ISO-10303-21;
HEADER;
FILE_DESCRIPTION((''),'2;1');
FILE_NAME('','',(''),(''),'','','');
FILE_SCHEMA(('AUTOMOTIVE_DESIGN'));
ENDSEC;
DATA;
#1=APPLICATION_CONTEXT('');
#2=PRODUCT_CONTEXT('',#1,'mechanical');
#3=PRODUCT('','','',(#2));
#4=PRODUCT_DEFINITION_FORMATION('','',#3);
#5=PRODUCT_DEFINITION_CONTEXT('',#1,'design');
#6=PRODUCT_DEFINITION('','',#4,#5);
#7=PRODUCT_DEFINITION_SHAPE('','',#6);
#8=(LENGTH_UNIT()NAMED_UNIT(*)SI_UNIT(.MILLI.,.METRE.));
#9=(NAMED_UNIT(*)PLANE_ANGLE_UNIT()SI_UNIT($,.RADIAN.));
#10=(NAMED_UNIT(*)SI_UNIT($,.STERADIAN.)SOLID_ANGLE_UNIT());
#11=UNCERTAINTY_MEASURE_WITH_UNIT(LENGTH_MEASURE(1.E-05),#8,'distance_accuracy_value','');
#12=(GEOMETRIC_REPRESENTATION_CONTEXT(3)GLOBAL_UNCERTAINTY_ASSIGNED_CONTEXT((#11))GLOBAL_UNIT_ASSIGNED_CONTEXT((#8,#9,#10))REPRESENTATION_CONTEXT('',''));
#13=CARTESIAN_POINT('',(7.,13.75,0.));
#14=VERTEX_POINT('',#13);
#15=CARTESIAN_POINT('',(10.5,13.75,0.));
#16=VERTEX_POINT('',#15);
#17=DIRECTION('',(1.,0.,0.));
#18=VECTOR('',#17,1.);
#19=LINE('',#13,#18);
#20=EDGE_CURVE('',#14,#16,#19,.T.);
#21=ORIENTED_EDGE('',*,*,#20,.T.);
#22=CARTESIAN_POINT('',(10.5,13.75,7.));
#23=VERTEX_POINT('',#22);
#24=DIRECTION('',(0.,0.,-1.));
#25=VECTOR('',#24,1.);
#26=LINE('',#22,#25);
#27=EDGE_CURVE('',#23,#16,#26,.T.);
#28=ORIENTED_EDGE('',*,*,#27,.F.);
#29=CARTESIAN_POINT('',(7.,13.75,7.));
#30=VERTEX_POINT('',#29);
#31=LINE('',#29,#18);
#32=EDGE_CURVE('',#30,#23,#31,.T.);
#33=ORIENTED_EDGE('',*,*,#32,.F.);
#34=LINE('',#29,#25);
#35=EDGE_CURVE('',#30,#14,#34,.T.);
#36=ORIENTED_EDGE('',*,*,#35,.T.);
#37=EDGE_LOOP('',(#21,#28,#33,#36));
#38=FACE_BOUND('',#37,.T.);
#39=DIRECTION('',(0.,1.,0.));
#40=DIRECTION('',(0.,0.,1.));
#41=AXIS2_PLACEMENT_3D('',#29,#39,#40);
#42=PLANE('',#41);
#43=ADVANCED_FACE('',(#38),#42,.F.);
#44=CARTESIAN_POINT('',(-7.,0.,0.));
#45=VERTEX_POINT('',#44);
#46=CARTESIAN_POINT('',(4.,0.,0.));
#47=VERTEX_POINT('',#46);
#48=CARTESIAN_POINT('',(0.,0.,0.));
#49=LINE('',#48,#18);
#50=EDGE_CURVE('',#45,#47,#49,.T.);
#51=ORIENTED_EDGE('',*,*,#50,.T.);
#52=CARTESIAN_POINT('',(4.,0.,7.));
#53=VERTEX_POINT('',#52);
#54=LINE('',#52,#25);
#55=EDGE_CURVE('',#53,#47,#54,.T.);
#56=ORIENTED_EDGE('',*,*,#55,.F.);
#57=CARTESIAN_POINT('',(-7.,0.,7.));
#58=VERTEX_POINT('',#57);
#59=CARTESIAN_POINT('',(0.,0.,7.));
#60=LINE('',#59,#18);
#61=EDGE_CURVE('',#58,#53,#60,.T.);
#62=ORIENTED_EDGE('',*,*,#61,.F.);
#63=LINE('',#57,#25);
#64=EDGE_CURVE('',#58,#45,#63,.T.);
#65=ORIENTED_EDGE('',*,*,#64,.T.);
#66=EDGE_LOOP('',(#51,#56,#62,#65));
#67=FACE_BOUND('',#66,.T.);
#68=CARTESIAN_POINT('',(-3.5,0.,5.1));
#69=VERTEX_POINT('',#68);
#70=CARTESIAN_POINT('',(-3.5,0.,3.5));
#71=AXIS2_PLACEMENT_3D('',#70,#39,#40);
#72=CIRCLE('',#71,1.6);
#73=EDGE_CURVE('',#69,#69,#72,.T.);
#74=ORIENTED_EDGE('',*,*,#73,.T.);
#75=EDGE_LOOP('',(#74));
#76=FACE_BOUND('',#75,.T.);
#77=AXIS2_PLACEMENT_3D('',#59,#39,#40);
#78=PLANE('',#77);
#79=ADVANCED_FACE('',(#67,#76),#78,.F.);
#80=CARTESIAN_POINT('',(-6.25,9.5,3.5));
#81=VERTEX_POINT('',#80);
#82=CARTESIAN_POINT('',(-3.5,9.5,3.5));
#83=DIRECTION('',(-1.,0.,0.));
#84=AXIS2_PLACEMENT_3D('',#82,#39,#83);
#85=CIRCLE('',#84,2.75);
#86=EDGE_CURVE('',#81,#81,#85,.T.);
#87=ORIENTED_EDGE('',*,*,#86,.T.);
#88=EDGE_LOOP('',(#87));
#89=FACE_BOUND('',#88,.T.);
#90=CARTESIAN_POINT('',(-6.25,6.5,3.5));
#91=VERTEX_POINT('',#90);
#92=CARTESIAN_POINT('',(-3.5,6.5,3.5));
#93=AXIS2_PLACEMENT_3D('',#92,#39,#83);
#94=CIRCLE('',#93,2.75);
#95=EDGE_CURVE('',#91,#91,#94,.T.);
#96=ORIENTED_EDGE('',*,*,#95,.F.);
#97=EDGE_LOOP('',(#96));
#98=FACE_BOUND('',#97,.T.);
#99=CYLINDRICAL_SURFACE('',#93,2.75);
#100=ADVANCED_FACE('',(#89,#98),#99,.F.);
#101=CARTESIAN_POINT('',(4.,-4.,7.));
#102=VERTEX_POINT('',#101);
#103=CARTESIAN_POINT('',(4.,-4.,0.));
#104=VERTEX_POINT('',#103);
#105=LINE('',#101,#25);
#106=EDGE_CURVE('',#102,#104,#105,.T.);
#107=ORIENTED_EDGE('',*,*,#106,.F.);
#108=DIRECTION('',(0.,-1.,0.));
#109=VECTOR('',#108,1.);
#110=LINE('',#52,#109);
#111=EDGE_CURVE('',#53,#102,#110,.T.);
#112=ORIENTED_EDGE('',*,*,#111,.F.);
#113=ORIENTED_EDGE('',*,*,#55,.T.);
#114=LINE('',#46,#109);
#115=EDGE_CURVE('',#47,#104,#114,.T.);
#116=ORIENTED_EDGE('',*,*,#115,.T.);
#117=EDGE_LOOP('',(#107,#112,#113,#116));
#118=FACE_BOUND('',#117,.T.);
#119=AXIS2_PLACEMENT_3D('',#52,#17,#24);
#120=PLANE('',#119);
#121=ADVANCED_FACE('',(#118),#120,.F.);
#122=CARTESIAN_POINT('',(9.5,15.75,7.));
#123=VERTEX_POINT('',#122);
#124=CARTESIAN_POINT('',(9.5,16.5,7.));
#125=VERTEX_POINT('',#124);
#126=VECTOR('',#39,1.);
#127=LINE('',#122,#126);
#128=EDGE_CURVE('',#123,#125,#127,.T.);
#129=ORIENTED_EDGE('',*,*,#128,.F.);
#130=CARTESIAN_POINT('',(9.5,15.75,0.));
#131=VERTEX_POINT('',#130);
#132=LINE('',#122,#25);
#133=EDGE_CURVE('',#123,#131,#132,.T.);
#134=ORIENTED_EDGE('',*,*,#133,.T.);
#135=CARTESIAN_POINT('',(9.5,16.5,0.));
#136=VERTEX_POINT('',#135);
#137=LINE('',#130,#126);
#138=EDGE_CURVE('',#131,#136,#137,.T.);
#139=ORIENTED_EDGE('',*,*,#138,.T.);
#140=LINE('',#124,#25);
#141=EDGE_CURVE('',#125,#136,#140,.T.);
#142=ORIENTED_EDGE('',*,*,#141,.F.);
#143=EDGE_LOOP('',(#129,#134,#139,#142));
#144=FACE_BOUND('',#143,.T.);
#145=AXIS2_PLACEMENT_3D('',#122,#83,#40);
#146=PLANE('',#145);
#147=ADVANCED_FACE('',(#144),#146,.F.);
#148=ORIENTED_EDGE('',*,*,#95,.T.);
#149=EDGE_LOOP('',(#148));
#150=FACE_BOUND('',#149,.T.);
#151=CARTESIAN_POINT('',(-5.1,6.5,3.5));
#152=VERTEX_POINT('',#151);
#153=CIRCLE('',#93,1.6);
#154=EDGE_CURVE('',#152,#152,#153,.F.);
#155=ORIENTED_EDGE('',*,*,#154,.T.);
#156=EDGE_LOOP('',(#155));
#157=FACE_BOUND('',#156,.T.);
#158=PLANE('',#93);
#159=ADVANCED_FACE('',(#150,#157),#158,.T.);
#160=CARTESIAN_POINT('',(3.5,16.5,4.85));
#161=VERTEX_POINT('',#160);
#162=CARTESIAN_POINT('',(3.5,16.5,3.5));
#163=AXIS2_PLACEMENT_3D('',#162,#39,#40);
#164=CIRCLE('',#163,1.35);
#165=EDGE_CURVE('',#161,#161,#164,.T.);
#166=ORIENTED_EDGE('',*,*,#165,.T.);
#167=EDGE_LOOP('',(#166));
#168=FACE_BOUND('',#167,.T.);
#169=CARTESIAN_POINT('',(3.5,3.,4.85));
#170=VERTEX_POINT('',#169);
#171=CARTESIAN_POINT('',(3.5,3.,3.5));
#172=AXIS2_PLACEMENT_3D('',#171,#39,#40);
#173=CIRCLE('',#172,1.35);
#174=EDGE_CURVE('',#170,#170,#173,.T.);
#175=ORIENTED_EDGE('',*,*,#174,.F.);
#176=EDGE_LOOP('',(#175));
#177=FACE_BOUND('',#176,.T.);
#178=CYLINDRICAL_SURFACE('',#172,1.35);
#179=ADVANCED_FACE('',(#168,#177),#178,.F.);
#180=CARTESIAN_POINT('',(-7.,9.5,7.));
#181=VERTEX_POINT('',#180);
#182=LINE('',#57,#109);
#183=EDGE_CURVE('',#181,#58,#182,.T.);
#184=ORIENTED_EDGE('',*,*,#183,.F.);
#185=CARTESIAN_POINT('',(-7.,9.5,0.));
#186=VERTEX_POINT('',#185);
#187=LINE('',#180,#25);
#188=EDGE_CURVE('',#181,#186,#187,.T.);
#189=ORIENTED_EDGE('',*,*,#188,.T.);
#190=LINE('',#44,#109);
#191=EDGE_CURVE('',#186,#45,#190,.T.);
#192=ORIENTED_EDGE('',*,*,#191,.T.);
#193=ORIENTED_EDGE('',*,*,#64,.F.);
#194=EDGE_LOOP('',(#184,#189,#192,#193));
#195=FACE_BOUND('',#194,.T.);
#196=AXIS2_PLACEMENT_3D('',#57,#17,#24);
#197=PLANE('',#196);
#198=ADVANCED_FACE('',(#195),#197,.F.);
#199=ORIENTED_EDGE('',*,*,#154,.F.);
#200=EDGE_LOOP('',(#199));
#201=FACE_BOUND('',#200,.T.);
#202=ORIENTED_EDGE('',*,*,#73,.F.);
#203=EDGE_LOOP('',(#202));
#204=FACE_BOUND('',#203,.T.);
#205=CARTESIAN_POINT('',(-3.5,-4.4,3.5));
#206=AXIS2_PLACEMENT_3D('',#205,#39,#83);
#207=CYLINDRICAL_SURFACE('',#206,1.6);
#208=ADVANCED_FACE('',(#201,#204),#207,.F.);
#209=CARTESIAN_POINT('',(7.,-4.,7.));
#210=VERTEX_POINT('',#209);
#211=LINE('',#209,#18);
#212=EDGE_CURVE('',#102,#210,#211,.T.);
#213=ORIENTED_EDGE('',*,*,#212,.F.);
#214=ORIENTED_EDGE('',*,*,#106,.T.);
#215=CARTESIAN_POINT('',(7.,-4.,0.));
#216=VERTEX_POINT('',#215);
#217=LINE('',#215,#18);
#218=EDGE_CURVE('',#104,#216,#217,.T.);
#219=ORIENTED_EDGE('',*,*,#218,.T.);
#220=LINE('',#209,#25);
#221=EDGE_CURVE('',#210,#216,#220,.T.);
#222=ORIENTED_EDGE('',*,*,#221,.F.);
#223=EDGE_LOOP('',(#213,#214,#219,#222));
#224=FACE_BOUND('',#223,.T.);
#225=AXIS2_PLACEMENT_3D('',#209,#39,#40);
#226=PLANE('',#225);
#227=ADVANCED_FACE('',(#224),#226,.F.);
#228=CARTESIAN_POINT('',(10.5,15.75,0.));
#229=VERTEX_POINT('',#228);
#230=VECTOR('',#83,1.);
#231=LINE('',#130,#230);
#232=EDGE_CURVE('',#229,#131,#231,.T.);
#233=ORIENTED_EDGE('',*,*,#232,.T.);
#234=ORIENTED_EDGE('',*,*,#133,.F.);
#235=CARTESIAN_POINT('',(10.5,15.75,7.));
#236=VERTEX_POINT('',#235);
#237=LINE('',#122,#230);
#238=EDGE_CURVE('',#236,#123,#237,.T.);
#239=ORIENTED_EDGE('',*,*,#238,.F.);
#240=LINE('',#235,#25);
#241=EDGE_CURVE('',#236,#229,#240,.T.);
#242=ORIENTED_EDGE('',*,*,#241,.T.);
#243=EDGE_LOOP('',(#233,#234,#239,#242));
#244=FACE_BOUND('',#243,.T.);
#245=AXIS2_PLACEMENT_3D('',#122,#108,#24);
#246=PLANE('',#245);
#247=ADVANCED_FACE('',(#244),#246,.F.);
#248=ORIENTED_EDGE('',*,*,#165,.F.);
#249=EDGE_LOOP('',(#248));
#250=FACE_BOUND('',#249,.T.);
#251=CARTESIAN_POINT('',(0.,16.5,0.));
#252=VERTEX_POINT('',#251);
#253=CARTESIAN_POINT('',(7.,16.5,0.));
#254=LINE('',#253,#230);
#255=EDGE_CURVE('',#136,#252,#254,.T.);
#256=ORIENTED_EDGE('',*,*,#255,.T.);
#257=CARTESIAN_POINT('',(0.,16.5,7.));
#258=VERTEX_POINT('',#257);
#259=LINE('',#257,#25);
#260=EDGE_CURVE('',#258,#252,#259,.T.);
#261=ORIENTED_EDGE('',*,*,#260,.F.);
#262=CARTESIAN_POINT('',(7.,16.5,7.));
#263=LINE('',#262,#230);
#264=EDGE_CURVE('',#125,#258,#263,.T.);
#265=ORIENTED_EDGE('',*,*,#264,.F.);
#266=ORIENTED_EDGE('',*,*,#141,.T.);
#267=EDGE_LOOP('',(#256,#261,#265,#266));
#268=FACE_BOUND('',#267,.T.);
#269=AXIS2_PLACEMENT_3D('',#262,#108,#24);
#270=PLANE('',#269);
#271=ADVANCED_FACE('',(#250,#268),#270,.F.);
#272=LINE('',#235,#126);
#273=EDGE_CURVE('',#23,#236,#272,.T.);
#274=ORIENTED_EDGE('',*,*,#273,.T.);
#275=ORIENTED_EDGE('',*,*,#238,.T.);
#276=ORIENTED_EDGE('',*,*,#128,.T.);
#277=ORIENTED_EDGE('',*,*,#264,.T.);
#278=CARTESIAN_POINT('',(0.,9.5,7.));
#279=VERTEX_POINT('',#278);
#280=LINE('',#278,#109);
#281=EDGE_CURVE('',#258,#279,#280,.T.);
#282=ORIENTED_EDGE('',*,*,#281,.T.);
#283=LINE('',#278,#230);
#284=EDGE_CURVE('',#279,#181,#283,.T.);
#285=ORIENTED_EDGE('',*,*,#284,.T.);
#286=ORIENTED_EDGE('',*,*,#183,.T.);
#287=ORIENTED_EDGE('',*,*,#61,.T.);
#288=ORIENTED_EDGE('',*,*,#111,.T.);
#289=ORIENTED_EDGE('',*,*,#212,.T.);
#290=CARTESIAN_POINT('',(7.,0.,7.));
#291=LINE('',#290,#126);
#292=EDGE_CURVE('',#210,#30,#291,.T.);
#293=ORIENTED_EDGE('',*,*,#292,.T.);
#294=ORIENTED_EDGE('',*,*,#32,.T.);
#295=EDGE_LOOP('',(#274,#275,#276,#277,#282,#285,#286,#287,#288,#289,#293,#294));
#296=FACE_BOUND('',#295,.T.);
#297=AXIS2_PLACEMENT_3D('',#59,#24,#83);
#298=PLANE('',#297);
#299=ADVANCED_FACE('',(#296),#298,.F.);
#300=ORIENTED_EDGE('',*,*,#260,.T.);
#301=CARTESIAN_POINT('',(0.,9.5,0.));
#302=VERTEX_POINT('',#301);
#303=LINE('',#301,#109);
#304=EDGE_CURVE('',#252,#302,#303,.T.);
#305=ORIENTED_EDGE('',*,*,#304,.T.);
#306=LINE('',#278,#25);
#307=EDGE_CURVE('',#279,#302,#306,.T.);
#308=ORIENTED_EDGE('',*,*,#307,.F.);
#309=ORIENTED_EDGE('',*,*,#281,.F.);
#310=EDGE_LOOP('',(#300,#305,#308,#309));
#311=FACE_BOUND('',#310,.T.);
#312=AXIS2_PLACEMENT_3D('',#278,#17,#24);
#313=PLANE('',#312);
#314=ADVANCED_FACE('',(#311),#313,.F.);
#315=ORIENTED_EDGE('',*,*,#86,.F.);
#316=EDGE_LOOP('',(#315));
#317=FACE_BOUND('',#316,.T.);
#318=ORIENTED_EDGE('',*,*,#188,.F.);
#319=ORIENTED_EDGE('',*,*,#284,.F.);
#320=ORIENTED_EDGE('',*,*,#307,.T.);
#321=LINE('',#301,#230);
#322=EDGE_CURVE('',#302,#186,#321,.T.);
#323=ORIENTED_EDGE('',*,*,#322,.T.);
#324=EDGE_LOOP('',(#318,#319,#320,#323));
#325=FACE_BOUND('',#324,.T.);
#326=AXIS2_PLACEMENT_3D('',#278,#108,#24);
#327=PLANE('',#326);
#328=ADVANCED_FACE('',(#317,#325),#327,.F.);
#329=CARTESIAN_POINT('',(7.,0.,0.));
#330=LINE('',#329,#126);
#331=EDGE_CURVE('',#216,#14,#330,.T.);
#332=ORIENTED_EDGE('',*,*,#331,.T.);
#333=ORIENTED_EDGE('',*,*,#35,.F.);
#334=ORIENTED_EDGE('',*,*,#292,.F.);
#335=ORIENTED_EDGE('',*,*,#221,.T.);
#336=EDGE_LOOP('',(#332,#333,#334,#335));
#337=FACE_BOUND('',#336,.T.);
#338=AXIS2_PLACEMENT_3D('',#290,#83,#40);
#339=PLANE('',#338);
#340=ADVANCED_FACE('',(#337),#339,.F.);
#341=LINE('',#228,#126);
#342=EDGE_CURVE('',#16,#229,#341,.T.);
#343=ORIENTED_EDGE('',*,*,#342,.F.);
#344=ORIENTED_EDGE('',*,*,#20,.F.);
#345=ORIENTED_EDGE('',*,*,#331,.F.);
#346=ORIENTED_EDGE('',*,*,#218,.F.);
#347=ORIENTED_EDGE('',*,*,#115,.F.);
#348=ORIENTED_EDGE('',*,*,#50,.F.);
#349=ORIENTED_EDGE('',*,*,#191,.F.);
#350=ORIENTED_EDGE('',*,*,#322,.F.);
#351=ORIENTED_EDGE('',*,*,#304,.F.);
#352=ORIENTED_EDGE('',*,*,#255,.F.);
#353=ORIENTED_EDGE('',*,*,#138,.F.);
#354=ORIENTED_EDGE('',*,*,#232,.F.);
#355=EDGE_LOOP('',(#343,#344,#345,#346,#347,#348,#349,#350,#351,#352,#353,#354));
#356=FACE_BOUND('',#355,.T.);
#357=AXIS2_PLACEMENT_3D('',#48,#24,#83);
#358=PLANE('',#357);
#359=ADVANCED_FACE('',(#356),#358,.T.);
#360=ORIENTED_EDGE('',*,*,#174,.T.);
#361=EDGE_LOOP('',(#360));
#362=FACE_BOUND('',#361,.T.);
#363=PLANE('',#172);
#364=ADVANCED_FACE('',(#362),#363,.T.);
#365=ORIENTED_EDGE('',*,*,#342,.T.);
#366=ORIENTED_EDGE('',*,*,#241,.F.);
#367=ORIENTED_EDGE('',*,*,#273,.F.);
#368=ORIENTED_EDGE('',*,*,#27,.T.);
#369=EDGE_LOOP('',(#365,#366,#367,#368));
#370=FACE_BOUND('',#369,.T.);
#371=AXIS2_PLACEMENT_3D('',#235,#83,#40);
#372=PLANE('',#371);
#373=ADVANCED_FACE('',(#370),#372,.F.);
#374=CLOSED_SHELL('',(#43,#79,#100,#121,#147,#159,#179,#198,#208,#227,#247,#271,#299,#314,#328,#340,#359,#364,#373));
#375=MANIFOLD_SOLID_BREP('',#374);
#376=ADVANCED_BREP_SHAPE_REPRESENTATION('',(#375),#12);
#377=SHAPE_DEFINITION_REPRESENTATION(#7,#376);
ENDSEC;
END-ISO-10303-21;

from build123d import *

# Parameters (mm, degrees)
SALIENTE_EXTRUIR1_DEPTH = 7
CROQUIS4_R              = 1.35
CORTAR_EXTRUIR1_DEPTH   = 13.5
CROQUIS5_R              = 1.6
CORTAR_EXTRUIR2_DEPTH   = 13.9
CROQUIS6_R              = 2.75
CORTAR_EXTRUIR3_DEPTH   = 3


with BuildPart() as part:
    # Croquis1 → Saliente-Extruir1 (new body)
    with BuildSketch(Plane.XY):
        Polygon((0, 0), (4, 0), (4, -4), (7, -4), (7, 0), (7, 13.75), (10.5, 13.75), (10.5, 15.75), (9.5, 15.75), (9.5, 16.5), (7, 16.5), (0, 16.5), (0, 9.5), (-7, 9.5), (-7, 0), align=None)
    extrude(amount=SALIENTE_EXTRUIR1_DEPTH)

    # Croquis4 → Cortar-Extruir1 (cut)
    with BuildSketch(Plane(origin=(0, 16.5, 0), x_dir=(1, 0, 0), z_dir=(0, 1, 0))):
        with Locations(Location((3.5, -3.5, 0), (0, 0, 270))):
            Circle(CROQUIS4_R)
    extrude(amount=-CORTAR_EXTRUIR1_DEPTH, mode=Mode.SUBTRACT)

    # Croquis5 → Cortar-Extruir2 (cut)
    with BuildSketch(Plane(origin=(0, 9.5, 0), x_dir=(1, 0, 0), z_dir=(0, 1, 0))):
        with Locations(Location((-3.5, -3.5, 0), (0, 0, 180))):
            Circle(CROQUIS5_R)
    extrude(amount=-CORTAR_EXTRUIR2_DEPTH, mode=Mode.SUBTRACT)

    # Croquis6 → Cortar-Extruir3 (cut)
    with BuildSketch(Plane(origin=(0, 9.5, 0), x_dir=(1, 0, 0), z_dir=(0, 1, 0))):
        with Locations(Location((-3.5, -3.5, 0), (0, 0, 180))):
            Circle(CROQUIS6_R)
    extrude(amount=-CORTAR_EXTRUIR3_DEPTH, mode=Mode.SUBTRACT)


solid = part.part
